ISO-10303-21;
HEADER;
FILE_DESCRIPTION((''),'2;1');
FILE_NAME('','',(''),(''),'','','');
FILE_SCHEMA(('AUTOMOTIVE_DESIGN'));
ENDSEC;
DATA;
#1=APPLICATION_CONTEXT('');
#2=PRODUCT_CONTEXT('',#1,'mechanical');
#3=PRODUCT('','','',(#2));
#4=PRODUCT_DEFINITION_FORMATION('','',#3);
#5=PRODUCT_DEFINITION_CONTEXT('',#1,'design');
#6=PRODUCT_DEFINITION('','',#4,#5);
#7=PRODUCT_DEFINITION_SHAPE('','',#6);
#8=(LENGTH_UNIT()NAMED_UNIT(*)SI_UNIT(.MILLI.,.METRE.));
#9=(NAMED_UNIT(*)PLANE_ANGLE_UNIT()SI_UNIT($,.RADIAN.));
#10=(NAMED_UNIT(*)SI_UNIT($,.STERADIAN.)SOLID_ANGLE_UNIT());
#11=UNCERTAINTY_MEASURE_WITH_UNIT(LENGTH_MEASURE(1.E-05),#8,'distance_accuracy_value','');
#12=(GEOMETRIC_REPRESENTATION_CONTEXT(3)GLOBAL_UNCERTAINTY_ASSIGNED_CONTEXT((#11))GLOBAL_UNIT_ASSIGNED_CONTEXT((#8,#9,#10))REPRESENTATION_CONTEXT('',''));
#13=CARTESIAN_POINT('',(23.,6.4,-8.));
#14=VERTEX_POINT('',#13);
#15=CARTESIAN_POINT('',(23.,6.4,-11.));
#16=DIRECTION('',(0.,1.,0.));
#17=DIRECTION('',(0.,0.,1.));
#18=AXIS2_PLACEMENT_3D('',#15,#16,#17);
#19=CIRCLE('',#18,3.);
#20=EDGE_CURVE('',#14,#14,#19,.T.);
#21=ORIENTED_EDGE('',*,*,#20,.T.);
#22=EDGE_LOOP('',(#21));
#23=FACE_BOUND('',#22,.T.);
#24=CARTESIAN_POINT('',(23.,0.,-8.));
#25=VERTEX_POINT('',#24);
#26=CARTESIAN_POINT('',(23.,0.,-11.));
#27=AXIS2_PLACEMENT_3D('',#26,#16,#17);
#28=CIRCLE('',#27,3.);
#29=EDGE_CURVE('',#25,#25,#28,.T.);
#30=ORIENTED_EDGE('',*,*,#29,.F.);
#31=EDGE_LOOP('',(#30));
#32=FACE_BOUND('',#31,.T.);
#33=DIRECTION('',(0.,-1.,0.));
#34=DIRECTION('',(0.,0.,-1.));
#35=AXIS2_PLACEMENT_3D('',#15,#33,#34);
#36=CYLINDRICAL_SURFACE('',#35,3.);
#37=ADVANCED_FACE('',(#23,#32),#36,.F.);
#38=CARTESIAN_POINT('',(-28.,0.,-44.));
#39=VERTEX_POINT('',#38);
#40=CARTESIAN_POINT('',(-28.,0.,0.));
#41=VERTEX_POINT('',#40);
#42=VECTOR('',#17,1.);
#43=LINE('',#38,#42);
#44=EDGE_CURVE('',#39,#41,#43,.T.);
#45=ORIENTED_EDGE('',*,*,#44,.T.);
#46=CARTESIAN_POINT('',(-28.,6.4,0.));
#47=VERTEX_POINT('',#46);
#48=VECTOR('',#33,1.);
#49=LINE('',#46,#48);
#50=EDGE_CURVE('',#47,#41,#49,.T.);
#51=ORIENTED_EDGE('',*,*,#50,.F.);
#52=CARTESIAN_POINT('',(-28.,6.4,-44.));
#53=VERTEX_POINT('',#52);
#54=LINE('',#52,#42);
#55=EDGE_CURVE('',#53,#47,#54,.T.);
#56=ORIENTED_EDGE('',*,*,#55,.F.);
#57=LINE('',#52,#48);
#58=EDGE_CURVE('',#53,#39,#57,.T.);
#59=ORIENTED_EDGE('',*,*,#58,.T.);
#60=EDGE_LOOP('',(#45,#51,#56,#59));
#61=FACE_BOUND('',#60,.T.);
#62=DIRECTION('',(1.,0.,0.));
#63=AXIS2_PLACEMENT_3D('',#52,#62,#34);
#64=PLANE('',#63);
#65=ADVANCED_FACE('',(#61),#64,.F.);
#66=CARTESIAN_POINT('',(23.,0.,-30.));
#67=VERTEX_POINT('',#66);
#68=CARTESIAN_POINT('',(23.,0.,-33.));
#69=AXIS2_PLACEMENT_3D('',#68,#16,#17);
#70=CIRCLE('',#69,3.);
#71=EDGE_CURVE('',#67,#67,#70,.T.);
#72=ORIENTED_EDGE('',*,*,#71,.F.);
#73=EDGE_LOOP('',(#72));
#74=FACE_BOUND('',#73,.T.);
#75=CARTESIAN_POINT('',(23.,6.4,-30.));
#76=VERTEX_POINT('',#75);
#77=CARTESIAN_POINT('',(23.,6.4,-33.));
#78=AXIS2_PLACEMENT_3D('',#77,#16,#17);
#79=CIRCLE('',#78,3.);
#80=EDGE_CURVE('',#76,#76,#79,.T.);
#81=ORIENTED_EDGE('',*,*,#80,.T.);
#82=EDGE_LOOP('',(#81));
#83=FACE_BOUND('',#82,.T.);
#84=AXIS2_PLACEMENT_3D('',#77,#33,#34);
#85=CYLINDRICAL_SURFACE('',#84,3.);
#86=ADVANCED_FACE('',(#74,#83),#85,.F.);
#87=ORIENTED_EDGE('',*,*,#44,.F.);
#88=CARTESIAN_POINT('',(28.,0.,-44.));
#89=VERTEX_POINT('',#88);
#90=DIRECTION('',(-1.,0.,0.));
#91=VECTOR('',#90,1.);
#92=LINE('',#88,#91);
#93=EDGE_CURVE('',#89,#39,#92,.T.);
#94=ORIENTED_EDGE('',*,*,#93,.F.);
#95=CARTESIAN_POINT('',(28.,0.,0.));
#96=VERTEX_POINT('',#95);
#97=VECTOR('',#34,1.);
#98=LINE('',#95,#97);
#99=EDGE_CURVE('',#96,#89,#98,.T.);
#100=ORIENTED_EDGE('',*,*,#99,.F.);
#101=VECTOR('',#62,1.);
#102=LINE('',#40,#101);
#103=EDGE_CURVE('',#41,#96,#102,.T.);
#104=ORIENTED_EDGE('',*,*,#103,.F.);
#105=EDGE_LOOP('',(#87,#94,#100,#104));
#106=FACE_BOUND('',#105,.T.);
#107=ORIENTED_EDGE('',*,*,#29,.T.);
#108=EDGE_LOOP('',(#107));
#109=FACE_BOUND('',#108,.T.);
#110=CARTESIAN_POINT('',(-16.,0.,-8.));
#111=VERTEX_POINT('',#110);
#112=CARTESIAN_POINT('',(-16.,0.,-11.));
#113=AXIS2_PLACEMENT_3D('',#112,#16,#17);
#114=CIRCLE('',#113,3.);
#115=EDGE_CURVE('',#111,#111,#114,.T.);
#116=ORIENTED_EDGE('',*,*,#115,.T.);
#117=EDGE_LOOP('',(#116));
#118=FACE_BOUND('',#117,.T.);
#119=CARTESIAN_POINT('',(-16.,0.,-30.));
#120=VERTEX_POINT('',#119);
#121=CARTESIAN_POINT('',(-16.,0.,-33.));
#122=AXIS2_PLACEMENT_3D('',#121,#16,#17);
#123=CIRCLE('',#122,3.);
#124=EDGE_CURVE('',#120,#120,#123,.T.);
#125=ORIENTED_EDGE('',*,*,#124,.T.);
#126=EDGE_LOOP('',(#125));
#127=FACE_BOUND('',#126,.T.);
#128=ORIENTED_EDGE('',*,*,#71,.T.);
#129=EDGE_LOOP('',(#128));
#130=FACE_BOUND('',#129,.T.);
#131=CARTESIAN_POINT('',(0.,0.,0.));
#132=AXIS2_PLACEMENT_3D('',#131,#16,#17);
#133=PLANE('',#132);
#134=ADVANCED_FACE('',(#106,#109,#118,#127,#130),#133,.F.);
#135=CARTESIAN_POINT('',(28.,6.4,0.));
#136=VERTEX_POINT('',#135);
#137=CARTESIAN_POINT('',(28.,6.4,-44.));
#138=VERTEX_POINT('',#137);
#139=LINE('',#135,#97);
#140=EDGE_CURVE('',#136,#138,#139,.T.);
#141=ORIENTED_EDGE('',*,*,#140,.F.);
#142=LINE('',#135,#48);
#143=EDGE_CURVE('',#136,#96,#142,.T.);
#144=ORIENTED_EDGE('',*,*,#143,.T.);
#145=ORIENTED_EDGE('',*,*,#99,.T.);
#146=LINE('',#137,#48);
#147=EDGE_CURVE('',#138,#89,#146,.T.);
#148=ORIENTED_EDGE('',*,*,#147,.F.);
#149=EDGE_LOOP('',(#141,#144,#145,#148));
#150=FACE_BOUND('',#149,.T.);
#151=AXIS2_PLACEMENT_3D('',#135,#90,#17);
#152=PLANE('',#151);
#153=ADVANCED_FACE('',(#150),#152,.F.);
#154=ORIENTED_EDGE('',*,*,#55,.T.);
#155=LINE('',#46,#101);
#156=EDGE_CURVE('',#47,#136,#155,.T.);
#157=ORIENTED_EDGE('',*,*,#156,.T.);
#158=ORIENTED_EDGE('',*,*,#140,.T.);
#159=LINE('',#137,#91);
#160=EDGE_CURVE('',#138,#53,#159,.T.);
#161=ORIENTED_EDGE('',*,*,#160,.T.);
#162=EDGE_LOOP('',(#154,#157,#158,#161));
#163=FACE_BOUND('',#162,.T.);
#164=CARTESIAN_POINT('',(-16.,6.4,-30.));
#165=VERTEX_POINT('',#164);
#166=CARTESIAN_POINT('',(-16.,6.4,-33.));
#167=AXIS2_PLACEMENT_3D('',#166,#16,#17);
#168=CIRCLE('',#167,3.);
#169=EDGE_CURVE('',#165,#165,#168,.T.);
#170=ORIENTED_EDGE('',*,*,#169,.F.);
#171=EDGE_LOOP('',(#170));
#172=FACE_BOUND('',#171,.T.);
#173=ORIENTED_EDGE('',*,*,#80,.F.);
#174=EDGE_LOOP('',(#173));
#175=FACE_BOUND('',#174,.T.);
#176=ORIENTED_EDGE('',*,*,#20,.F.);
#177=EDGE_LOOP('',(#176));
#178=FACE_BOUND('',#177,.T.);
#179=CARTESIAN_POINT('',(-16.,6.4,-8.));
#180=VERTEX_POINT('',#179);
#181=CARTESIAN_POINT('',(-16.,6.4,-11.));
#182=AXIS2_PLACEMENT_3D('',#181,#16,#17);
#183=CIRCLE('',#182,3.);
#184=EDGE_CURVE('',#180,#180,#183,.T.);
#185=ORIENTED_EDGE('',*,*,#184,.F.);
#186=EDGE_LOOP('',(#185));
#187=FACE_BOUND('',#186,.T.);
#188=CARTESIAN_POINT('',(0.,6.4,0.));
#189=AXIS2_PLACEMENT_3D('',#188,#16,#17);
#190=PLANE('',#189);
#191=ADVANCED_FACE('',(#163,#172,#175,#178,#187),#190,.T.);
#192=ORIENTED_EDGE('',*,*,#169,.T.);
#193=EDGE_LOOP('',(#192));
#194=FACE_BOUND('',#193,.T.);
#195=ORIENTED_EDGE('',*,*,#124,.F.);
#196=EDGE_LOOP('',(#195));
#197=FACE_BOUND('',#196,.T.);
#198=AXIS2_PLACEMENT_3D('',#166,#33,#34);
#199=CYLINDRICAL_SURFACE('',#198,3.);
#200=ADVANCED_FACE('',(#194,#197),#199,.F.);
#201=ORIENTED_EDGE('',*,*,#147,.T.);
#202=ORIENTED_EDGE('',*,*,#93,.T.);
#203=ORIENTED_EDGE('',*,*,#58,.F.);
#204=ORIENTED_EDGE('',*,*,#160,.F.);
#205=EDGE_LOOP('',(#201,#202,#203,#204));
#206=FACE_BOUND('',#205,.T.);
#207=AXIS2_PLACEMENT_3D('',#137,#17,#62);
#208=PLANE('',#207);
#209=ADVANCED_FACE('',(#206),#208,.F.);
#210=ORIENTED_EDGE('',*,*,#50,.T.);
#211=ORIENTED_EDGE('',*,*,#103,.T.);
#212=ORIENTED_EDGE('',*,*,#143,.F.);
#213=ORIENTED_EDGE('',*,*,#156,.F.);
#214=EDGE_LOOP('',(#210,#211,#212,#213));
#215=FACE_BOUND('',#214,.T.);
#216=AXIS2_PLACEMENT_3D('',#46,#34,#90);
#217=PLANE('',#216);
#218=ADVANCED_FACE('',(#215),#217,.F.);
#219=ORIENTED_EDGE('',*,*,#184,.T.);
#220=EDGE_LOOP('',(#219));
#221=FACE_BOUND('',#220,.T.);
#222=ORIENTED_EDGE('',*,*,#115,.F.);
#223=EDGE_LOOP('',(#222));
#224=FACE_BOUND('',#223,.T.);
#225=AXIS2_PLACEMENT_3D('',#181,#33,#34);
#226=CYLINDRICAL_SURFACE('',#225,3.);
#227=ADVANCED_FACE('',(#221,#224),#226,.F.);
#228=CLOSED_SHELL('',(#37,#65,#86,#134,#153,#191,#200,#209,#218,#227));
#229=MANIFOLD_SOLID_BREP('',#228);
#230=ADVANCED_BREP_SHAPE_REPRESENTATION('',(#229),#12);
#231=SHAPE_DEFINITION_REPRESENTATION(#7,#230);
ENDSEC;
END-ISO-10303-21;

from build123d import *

# Parameters (mm, degrees)
SKETCH1_W           = 56
SKETCH1_H           = 44
SKETCH1_R           = 3
BOSS_EXTRUDE1_DEPTH = 6.4


with BuildPart() as part:
    # Sketch1 → Boss-Extrude1 (new body)
    with BuildSketch(Plane(origin=(0, 0, 0), x_dir=(1, 0, 0), z_dir=(0, 1, 0))):
        with Locations((0, 22)):
            Rectangle(SKETCH1_W, SKETCH1_H)
        with Locations((-16, 33)):
            Circle(SKETCH1_R, mode=Mode.SUBTRACT)
        with Locations((-16, 11)):
            Circle(SKETCH1_R, mode=Mode.SUBTRACT)
        with Locations((23, 33)):
            Circle(SKETCH1_R, mode=Mode.SUBTRACT)
        with Locations((23, 11)):
            Circle(SKETCH1_R, mode=Mode.SUBTRACT)
    extrude(amount=BOSS_EXTRUDE1_DEPTH)


solid = part.part
